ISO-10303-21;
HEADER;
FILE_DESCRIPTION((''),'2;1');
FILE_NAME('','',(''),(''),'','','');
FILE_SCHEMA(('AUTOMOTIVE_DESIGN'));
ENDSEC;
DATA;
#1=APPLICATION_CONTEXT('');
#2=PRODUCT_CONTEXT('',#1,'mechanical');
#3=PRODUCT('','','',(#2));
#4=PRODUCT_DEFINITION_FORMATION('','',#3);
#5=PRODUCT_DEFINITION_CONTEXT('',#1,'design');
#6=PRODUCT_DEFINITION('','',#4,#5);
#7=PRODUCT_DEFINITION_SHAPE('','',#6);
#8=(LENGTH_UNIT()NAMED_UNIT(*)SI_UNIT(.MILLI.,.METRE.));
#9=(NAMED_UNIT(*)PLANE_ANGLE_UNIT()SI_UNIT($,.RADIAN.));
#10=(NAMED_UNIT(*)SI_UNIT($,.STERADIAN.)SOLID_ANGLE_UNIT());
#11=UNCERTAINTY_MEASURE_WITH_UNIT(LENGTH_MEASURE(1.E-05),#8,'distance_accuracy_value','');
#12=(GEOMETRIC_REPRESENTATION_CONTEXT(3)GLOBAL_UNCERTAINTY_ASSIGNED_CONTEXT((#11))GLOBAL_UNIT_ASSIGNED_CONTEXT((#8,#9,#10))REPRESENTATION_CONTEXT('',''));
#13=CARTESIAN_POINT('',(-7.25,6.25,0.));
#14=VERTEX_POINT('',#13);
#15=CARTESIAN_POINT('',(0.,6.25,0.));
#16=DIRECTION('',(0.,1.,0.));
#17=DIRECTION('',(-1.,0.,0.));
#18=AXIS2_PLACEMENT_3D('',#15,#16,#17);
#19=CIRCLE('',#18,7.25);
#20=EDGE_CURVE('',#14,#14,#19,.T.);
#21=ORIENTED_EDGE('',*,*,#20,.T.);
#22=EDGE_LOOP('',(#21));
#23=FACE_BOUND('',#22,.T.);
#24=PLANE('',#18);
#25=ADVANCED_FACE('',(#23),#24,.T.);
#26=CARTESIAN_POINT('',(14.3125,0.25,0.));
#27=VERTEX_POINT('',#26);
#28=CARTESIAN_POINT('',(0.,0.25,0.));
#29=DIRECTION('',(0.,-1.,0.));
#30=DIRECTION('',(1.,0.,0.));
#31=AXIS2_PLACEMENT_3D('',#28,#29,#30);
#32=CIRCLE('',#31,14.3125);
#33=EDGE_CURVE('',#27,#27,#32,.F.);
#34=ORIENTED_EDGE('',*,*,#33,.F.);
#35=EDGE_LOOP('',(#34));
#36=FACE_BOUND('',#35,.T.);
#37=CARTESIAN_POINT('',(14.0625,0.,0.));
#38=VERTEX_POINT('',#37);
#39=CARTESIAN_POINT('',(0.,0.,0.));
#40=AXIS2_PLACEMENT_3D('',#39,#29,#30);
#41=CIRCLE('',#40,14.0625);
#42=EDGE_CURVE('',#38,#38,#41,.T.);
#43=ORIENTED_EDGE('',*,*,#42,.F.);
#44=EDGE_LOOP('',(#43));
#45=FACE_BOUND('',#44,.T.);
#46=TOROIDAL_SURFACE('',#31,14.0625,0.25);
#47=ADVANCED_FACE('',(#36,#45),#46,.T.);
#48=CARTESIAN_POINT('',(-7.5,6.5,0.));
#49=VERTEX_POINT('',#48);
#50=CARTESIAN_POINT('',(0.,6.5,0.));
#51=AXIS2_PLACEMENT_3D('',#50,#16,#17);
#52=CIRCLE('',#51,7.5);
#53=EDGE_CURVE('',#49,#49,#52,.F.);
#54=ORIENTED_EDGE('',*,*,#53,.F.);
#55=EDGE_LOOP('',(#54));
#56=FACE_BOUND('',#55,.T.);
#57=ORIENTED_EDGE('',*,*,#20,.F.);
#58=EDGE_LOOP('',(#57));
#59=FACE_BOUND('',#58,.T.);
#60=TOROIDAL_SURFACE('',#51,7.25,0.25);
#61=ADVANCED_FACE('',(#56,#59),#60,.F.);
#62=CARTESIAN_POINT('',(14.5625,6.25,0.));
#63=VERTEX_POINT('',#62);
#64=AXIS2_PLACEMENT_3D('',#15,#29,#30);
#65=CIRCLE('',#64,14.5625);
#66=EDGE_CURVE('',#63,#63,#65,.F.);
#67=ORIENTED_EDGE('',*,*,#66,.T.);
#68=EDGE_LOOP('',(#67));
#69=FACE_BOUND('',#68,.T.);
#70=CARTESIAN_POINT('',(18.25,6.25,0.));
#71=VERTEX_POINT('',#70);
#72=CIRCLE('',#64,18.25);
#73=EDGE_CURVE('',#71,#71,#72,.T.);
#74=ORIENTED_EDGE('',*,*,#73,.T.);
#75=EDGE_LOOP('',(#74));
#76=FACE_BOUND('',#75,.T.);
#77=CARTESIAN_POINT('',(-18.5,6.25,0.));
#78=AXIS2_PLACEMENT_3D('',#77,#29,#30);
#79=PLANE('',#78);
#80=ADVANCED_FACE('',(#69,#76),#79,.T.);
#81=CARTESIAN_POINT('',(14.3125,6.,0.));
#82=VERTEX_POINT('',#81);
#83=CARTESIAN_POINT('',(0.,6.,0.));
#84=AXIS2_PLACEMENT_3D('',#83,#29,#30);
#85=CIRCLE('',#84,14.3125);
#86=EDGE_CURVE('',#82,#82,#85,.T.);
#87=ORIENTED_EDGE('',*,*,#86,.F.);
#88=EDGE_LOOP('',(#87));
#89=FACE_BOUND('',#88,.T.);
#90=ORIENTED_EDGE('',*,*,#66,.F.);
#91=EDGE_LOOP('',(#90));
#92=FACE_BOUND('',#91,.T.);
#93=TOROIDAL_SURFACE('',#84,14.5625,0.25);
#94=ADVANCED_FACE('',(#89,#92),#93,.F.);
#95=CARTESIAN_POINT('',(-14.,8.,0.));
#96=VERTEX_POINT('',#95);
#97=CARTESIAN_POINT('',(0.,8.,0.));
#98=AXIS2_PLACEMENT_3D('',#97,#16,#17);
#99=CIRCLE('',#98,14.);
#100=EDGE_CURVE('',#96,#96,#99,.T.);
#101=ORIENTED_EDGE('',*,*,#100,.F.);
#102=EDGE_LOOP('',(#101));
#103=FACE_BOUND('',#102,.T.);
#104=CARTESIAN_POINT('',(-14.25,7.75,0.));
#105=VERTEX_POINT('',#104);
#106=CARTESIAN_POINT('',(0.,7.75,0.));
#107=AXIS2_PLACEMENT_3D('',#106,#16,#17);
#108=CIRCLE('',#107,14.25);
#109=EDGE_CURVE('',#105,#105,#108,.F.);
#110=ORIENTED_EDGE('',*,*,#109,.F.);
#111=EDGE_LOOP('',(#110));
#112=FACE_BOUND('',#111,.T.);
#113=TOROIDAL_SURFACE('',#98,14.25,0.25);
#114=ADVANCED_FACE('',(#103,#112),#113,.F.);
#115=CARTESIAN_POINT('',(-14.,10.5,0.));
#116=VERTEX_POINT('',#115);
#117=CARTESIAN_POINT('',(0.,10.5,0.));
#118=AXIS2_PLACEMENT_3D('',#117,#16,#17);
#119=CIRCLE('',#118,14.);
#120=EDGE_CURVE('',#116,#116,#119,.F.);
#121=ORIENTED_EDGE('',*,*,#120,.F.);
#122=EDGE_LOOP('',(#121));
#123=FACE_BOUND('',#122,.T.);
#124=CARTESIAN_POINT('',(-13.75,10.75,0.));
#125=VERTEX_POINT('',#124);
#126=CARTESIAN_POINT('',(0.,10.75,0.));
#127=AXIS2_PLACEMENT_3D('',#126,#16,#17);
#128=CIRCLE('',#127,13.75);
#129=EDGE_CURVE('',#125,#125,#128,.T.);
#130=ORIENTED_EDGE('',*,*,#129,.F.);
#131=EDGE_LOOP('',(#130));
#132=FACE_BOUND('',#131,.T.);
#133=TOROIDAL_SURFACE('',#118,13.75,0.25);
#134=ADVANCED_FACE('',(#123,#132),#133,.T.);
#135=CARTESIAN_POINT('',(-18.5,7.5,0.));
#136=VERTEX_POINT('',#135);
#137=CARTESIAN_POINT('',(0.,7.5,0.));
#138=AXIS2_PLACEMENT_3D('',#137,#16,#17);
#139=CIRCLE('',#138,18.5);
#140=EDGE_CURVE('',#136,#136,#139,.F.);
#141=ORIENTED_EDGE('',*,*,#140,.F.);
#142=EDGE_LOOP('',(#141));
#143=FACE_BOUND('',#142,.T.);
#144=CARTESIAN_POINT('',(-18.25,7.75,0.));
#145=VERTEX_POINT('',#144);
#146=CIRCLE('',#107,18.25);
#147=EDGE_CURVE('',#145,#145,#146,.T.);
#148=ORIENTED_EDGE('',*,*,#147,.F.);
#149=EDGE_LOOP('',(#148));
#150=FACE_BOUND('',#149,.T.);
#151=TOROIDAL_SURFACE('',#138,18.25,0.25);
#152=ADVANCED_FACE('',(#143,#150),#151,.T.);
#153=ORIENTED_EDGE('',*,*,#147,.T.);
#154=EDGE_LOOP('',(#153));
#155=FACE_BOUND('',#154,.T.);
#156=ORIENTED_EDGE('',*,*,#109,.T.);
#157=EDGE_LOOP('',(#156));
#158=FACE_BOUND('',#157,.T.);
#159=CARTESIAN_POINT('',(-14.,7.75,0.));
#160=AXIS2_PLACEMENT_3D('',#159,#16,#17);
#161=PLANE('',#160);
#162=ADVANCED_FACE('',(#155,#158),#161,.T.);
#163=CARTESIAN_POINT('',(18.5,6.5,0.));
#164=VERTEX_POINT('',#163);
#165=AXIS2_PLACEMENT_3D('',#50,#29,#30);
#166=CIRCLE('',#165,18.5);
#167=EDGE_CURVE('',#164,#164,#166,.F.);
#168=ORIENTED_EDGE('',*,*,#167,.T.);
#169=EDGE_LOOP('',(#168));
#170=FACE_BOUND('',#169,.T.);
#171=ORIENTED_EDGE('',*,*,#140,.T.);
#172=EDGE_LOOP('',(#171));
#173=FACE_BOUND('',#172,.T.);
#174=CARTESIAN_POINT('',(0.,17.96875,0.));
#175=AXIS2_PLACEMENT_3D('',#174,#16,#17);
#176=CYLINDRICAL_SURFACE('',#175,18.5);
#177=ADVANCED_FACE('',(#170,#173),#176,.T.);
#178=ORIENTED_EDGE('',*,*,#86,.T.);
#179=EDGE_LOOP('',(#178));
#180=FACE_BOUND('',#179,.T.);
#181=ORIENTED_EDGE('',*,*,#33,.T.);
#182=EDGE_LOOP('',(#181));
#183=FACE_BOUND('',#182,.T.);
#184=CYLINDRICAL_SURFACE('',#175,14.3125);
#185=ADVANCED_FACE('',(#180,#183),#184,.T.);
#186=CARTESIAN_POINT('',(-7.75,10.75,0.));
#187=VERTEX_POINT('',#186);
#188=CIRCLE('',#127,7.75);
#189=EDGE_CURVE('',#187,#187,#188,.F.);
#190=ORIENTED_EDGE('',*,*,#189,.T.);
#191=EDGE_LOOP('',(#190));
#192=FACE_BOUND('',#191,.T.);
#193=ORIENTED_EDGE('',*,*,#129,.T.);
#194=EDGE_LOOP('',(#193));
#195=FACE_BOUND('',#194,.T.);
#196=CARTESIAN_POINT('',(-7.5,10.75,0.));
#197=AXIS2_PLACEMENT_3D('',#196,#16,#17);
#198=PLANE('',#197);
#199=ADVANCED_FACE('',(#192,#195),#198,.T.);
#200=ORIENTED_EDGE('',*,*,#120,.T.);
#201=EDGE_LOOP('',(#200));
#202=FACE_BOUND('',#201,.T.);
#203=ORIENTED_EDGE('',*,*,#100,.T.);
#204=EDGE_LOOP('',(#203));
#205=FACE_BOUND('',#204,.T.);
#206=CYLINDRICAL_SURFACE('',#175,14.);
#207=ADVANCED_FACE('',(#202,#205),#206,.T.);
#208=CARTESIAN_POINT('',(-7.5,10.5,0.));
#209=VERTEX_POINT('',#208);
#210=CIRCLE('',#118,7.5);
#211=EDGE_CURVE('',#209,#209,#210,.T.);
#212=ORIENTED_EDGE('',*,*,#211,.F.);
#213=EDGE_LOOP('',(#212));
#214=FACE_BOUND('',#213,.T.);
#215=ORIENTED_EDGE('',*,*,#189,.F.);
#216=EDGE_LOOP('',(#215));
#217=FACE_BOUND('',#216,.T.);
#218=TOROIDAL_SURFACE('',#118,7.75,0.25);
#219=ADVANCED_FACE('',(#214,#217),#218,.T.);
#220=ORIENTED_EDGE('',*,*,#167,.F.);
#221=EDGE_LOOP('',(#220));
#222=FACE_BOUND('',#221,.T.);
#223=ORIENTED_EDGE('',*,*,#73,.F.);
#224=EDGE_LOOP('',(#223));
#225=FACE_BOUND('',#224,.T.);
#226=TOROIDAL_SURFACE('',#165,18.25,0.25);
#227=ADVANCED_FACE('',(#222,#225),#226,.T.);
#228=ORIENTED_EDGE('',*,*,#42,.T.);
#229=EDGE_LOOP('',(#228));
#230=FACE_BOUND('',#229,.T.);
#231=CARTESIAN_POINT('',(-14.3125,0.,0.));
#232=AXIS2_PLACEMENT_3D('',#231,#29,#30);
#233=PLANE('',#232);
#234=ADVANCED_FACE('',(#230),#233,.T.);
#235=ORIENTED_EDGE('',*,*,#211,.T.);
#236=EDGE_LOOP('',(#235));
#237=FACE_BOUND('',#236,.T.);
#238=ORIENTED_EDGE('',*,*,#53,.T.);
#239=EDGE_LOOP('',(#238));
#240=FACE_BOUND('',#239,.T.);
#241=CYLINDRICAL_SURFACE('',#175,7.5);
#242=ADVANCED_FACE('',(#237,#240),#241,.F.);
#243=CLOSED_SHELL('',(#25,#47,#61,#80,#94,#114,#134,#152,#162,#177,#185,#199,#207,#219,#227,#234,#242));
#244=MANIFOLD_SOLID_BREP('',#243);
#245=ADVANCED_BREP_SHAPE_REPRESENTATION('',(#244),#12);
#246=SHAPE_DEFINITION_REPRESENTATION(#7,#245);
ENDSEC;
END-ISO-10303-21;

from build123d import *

# Parameters (mm, degrees)
FILLET1_R = 0.25


with BuildPart() as part:
    # Sketch1 → Revolve1 (revolve)
    with BuildSketch(Plane.XY):
        Polygon((0, 0), (0, 6.25), (-7.5, 6.25), (-7.5, 10.75), (-14, 10.75), (-14, 7.75), (-18.5, 7.75), (-18.5, 6.25), (-14.3125, 6.25), (-14.3125, 0), align=None)
    revolve(axis=Axis((0, 17.96875, 0), (0, -1, 0)))

    # Fillet1
    fillet1_edges = [part.edges().sort_by_distance(p)[0] for p in [
        (14, 10.75, 0),
        (7.5, 10.75, 0),
        (7.5, 6.25, 0),
        (14.3125, 0, 0),
        (14.3125, 6.25, 0),
        (18.5, 6.25, 0),
        (18.5, 7.75, 0),
        (14, 7.75, 0),
    ]]
    fillet(fillet1_edges, radius=FILLET1_R)


solid = part.part
